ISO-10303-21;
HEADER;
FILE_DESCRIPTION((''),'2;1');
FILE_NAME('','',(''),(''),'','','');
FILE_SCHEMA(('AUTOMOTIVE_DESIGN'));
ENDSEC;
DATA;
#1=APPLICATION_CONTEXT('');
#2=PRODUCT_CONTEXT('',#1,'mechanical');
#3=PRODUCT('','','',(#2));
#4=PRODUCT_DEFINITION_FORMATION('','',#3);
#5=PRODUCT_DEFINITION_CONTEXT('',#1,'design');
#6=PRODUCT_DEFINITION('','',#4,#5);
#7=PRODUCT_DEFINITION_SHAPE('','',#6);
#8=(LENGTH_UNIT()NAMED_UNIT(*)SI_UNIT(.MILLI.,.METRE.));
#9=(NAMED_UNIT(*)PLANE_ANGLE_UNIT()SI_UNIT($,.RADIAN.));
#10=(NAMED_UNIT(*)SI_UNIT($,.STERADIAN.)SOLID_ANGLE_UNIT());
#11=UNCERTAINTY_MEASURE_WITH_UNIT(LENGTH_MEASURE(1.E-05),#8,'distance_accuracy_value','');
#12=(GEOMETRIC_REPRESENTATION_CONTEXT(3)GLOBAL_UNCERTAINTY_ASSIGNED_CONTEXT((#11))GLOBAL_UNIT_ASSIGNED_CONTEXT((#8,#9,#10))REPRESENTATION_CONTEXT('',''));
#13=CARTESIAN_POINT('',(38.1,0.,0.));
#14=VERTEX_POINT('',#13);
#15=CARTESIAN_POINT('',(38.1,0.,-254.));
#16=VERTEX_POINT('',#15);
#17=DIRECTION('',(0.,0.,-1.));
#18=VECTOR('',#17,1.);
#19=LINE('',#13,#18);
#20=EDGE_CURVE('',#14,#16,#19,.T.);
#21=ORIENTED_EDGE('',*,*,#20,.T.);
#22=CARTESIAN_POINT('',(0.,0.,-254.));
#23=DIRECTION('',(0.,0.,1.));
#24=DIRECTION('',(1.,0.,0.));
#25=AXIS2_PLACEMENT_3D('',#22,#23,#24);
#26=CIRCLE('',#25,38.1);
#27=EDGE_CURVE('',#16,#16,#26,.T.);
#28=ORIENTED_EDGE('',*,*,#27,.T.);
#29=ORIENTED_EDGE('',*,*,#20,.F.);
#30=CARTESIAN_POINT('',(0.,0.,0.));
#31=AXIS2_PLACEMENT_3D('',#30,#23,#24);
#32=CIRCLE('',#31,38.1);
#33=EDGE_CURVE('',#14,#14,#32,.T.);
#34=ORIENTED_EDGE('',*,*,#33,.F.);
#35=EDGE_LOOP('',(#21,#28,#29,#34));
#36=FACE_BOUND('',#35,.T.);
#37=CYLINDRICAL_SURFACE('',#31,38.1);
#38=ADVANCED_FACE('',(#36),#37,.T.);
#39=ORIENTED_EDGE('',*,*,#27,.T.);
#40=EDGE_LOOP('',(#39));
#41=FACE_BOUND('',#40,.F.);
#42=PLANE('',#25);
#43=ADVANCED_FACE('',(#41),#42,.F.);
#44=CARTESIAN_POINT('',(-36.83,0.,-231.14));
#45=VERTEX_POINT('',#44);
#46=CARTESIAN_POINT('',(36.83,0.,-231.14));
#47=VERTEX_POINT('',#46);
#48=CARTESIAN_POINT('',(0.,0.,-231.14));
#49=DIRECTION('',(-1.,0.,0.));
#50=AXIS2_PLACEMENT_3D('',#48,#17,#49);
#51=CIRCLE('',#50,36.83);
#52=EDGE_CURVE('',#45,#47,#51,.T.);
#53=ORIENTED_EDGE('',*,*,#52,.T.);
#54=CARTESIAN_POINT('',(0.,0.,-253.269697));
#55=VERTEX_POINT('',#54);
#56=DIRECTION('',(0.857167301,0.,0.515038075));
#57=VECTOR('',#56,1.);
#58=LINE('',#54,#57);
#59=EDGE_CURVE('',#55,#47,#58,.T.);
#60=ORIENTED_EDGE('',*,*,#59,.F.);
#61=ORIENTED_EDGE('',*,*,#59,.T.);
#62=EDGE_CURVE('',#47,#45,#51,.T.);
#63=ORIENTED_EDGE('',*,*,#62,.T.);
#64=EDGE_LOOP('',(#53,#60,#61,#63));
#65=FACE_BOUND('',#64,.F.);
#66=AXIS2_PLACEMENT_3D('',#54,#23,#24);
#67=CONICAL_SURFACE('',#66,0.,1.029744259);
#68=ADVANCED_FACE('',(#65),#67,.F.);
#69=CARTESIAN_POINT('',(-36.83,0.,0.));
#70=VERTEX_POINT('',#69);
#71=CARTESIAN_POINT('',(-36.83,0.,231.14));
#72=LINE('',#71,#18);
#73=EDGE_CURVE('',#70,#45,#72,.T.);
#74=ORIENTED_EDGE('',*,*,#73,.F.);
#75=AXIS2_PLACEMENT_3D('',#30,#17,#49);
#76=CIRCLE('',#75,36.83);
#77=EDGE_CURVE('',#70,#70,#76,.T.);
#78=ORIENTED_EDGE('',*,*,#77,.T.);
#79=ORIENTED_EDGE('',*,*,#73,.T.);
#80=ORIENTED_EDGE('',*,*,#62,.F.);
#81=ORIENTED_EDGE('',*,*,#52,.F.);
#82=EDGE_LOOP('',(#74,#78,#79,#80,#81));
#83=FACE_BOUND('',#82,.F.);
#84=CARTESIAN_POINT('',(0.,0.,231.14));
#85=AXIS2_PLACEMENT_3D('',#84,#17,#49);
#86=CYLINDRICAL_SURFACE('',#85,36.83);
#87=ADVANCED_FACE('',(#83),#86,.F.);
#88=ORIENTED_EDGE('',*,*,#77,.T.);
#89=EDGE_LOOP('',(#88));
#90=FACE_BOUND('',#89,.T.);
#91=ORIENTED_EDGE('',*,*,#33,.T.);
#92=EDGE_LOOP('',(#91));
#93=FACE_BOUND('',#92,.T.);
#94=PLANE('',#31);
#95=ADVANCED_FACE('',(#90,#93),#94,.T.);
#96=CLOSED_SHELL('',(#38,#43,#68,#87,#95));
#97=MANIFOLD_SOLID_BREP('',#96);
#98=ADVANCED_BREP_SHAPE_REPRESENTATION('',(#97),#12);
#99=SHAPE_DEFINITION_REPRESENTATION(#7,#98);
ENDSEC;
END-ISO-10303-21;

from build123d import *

# Parameters (mm, degrees)
F0_R     = 38.1
F1_DEPTH = 254
F2_D     = 73.66
F2_DEPTH = 231.14
F2_TIP   = 22.1296965988


with BuildPart() as f1:
    # F0 (on Top) → F1 (new body)
    with BuildSketch(Plane.XY):
        Circle(F0_R)
    extrude(amount=-F1_DEPTH)

    # F2
    with Locations(Plane.XY):
        with Locations((0, 0)):
            Hole(F2_D / 2, depth=F2_DEPTH)
            with Locations((0, 0, -(F2_DEPTH + F2_TIP / 2))):  # 118° drill point
                Cone(0, F2_D / 2, F2_TIP, mode=Mode.SUBTRACT)


solid = f1.part
